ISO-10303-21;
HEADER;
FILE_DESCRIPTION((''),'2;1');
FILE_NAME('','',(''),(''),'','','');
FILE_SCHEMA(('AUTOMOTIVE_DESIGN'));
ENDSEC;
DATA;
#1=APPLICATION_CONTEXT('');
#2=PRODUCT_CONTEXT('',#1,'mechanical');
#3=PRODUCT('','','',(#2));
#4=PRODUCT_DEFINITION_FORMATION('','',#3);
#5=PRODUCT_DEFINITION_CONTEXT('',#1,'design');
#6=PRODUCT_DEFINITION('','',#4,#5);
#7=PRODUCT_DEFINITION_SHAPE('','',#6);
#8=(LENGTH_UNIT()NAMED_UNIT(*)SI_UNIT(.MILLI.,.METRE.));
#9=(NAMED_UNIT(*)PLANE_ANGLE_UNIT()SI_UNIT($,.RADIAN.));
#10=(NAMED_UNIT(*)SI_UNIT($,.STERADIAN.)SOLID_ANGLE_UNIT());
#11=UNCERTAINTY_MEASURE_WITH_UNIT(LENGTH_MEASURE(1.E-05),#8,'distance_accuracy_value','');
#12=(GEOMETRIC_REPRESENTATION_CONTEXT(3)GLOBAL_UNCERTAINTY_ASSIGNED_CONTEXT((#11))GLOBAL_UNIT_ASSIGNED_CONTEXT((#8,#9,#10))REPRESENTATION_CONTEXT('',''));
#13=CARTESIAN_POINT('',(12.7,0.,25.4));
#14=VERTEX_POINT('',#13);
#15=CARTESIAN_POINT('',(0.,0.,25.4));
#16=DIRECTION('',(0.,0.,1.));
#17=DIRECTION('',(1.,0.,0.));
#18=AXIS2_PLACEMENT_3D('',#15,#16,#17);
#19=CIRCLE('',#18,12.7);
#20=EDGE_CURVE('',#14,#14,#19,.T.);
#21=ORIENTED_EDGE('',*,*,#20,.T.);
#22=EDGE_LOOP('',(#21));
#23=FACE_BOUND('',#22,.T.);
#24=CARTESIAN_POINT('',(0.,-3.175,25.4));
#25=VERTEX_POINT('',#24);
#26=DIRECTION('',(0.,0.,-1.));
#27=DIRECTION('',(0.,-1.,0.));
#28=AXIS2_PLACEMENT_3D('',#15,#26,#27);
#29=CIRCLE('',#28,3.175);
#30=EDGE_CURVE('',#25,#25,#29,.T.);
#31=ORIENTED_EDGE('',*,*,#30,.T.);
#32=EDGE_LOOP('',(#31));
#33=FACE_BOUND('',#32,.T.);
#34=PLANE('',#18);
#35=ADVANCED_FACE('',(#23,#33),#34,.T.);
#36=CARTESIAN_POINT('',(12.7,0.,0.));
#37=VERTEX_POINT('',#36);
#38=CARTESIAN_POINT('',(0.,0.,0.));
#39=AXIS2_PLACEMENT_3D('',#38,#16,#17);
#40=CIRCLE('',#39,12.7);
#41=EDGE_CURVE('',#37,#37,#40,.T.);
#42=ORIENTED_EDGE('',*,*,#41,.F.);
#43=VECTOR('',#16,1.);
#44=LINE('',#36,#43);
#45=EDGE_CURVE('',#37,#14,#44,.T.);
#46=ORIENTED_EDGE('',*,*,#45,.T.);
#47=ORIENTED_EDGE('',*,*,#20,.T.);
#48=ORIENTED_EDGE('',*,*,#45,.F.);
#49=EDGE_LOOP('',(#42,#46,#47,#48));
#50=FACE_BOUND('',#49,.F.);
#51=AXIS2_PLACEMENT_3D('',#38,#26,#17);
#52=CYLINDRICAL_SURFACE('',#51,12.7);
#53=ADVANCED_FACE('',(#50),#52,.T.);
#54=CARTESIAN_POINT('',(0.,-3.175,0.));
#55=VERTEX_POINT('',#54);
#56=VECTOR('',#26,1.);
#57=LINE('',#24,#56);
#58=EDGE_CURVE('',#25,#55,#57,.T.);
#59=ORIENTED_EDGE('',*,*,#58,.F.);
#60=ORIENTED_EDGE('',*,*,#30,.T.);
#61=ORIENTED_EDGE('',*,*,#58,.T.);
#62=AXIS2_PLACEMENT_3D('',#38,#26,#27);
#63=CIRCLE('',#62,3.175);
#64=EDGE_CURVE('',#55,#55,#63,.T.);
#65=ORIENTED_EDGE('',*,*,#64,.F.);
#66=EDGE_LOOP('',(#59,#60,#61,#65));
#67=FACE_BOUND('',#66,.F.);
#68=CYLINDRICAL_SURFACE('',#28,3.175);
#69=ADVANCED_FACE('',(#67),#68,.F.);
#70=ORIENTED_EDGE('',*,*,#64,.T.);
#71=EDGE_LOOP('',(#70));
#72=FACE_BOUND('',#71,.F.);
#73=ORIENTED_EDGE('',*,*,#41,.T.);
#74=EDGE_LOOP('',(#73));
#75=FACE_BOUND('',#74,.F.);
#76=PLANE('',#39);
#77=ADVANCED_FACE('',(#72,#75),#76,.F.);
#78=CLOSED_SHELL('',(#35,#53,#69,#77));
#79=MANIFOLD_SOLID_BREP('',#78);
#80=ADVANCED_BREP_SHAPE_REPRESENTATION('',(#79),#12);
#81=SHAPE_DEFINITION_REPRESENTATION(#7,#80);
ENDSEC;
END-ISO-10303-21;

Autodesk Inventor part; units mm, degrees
ref_plane "YZ Plane" through (0, 0, 0) normal (1, 0, 0) x (0, 1, 0)
ref_plane "XZ Plane" through (0, 0, 0) normal (0, 1, 0) x (-1, 0, 0)
ref_plane "XY Plane" through (0, 0, 0) normal (0, 0, 1) x (1, 0, 0)
sketch "Sketch1" plane through (0, 0, 0) normal (0, 0, 1) x (1, 0, 0)
  circle A0 centre (0, 0) radius 12.7
  dimension "d0" = 25.4
extrude "Extrusion1" add sketch "Sketch1" along normal blind 25.4
sketch "Sketch2" plane through (0, 0, 25.4) normal (0, 0, 1) x (1, 0, 0)
  point P0 (0, 0)
  point P1 (0, 0)
hole "Hole1" at (0, 0, 25.4) direction (0, 0, -1) diameter 6.35 end through all
properties part number "CLB_047_SpringSpacer" material "Acetal Resin, Black"
